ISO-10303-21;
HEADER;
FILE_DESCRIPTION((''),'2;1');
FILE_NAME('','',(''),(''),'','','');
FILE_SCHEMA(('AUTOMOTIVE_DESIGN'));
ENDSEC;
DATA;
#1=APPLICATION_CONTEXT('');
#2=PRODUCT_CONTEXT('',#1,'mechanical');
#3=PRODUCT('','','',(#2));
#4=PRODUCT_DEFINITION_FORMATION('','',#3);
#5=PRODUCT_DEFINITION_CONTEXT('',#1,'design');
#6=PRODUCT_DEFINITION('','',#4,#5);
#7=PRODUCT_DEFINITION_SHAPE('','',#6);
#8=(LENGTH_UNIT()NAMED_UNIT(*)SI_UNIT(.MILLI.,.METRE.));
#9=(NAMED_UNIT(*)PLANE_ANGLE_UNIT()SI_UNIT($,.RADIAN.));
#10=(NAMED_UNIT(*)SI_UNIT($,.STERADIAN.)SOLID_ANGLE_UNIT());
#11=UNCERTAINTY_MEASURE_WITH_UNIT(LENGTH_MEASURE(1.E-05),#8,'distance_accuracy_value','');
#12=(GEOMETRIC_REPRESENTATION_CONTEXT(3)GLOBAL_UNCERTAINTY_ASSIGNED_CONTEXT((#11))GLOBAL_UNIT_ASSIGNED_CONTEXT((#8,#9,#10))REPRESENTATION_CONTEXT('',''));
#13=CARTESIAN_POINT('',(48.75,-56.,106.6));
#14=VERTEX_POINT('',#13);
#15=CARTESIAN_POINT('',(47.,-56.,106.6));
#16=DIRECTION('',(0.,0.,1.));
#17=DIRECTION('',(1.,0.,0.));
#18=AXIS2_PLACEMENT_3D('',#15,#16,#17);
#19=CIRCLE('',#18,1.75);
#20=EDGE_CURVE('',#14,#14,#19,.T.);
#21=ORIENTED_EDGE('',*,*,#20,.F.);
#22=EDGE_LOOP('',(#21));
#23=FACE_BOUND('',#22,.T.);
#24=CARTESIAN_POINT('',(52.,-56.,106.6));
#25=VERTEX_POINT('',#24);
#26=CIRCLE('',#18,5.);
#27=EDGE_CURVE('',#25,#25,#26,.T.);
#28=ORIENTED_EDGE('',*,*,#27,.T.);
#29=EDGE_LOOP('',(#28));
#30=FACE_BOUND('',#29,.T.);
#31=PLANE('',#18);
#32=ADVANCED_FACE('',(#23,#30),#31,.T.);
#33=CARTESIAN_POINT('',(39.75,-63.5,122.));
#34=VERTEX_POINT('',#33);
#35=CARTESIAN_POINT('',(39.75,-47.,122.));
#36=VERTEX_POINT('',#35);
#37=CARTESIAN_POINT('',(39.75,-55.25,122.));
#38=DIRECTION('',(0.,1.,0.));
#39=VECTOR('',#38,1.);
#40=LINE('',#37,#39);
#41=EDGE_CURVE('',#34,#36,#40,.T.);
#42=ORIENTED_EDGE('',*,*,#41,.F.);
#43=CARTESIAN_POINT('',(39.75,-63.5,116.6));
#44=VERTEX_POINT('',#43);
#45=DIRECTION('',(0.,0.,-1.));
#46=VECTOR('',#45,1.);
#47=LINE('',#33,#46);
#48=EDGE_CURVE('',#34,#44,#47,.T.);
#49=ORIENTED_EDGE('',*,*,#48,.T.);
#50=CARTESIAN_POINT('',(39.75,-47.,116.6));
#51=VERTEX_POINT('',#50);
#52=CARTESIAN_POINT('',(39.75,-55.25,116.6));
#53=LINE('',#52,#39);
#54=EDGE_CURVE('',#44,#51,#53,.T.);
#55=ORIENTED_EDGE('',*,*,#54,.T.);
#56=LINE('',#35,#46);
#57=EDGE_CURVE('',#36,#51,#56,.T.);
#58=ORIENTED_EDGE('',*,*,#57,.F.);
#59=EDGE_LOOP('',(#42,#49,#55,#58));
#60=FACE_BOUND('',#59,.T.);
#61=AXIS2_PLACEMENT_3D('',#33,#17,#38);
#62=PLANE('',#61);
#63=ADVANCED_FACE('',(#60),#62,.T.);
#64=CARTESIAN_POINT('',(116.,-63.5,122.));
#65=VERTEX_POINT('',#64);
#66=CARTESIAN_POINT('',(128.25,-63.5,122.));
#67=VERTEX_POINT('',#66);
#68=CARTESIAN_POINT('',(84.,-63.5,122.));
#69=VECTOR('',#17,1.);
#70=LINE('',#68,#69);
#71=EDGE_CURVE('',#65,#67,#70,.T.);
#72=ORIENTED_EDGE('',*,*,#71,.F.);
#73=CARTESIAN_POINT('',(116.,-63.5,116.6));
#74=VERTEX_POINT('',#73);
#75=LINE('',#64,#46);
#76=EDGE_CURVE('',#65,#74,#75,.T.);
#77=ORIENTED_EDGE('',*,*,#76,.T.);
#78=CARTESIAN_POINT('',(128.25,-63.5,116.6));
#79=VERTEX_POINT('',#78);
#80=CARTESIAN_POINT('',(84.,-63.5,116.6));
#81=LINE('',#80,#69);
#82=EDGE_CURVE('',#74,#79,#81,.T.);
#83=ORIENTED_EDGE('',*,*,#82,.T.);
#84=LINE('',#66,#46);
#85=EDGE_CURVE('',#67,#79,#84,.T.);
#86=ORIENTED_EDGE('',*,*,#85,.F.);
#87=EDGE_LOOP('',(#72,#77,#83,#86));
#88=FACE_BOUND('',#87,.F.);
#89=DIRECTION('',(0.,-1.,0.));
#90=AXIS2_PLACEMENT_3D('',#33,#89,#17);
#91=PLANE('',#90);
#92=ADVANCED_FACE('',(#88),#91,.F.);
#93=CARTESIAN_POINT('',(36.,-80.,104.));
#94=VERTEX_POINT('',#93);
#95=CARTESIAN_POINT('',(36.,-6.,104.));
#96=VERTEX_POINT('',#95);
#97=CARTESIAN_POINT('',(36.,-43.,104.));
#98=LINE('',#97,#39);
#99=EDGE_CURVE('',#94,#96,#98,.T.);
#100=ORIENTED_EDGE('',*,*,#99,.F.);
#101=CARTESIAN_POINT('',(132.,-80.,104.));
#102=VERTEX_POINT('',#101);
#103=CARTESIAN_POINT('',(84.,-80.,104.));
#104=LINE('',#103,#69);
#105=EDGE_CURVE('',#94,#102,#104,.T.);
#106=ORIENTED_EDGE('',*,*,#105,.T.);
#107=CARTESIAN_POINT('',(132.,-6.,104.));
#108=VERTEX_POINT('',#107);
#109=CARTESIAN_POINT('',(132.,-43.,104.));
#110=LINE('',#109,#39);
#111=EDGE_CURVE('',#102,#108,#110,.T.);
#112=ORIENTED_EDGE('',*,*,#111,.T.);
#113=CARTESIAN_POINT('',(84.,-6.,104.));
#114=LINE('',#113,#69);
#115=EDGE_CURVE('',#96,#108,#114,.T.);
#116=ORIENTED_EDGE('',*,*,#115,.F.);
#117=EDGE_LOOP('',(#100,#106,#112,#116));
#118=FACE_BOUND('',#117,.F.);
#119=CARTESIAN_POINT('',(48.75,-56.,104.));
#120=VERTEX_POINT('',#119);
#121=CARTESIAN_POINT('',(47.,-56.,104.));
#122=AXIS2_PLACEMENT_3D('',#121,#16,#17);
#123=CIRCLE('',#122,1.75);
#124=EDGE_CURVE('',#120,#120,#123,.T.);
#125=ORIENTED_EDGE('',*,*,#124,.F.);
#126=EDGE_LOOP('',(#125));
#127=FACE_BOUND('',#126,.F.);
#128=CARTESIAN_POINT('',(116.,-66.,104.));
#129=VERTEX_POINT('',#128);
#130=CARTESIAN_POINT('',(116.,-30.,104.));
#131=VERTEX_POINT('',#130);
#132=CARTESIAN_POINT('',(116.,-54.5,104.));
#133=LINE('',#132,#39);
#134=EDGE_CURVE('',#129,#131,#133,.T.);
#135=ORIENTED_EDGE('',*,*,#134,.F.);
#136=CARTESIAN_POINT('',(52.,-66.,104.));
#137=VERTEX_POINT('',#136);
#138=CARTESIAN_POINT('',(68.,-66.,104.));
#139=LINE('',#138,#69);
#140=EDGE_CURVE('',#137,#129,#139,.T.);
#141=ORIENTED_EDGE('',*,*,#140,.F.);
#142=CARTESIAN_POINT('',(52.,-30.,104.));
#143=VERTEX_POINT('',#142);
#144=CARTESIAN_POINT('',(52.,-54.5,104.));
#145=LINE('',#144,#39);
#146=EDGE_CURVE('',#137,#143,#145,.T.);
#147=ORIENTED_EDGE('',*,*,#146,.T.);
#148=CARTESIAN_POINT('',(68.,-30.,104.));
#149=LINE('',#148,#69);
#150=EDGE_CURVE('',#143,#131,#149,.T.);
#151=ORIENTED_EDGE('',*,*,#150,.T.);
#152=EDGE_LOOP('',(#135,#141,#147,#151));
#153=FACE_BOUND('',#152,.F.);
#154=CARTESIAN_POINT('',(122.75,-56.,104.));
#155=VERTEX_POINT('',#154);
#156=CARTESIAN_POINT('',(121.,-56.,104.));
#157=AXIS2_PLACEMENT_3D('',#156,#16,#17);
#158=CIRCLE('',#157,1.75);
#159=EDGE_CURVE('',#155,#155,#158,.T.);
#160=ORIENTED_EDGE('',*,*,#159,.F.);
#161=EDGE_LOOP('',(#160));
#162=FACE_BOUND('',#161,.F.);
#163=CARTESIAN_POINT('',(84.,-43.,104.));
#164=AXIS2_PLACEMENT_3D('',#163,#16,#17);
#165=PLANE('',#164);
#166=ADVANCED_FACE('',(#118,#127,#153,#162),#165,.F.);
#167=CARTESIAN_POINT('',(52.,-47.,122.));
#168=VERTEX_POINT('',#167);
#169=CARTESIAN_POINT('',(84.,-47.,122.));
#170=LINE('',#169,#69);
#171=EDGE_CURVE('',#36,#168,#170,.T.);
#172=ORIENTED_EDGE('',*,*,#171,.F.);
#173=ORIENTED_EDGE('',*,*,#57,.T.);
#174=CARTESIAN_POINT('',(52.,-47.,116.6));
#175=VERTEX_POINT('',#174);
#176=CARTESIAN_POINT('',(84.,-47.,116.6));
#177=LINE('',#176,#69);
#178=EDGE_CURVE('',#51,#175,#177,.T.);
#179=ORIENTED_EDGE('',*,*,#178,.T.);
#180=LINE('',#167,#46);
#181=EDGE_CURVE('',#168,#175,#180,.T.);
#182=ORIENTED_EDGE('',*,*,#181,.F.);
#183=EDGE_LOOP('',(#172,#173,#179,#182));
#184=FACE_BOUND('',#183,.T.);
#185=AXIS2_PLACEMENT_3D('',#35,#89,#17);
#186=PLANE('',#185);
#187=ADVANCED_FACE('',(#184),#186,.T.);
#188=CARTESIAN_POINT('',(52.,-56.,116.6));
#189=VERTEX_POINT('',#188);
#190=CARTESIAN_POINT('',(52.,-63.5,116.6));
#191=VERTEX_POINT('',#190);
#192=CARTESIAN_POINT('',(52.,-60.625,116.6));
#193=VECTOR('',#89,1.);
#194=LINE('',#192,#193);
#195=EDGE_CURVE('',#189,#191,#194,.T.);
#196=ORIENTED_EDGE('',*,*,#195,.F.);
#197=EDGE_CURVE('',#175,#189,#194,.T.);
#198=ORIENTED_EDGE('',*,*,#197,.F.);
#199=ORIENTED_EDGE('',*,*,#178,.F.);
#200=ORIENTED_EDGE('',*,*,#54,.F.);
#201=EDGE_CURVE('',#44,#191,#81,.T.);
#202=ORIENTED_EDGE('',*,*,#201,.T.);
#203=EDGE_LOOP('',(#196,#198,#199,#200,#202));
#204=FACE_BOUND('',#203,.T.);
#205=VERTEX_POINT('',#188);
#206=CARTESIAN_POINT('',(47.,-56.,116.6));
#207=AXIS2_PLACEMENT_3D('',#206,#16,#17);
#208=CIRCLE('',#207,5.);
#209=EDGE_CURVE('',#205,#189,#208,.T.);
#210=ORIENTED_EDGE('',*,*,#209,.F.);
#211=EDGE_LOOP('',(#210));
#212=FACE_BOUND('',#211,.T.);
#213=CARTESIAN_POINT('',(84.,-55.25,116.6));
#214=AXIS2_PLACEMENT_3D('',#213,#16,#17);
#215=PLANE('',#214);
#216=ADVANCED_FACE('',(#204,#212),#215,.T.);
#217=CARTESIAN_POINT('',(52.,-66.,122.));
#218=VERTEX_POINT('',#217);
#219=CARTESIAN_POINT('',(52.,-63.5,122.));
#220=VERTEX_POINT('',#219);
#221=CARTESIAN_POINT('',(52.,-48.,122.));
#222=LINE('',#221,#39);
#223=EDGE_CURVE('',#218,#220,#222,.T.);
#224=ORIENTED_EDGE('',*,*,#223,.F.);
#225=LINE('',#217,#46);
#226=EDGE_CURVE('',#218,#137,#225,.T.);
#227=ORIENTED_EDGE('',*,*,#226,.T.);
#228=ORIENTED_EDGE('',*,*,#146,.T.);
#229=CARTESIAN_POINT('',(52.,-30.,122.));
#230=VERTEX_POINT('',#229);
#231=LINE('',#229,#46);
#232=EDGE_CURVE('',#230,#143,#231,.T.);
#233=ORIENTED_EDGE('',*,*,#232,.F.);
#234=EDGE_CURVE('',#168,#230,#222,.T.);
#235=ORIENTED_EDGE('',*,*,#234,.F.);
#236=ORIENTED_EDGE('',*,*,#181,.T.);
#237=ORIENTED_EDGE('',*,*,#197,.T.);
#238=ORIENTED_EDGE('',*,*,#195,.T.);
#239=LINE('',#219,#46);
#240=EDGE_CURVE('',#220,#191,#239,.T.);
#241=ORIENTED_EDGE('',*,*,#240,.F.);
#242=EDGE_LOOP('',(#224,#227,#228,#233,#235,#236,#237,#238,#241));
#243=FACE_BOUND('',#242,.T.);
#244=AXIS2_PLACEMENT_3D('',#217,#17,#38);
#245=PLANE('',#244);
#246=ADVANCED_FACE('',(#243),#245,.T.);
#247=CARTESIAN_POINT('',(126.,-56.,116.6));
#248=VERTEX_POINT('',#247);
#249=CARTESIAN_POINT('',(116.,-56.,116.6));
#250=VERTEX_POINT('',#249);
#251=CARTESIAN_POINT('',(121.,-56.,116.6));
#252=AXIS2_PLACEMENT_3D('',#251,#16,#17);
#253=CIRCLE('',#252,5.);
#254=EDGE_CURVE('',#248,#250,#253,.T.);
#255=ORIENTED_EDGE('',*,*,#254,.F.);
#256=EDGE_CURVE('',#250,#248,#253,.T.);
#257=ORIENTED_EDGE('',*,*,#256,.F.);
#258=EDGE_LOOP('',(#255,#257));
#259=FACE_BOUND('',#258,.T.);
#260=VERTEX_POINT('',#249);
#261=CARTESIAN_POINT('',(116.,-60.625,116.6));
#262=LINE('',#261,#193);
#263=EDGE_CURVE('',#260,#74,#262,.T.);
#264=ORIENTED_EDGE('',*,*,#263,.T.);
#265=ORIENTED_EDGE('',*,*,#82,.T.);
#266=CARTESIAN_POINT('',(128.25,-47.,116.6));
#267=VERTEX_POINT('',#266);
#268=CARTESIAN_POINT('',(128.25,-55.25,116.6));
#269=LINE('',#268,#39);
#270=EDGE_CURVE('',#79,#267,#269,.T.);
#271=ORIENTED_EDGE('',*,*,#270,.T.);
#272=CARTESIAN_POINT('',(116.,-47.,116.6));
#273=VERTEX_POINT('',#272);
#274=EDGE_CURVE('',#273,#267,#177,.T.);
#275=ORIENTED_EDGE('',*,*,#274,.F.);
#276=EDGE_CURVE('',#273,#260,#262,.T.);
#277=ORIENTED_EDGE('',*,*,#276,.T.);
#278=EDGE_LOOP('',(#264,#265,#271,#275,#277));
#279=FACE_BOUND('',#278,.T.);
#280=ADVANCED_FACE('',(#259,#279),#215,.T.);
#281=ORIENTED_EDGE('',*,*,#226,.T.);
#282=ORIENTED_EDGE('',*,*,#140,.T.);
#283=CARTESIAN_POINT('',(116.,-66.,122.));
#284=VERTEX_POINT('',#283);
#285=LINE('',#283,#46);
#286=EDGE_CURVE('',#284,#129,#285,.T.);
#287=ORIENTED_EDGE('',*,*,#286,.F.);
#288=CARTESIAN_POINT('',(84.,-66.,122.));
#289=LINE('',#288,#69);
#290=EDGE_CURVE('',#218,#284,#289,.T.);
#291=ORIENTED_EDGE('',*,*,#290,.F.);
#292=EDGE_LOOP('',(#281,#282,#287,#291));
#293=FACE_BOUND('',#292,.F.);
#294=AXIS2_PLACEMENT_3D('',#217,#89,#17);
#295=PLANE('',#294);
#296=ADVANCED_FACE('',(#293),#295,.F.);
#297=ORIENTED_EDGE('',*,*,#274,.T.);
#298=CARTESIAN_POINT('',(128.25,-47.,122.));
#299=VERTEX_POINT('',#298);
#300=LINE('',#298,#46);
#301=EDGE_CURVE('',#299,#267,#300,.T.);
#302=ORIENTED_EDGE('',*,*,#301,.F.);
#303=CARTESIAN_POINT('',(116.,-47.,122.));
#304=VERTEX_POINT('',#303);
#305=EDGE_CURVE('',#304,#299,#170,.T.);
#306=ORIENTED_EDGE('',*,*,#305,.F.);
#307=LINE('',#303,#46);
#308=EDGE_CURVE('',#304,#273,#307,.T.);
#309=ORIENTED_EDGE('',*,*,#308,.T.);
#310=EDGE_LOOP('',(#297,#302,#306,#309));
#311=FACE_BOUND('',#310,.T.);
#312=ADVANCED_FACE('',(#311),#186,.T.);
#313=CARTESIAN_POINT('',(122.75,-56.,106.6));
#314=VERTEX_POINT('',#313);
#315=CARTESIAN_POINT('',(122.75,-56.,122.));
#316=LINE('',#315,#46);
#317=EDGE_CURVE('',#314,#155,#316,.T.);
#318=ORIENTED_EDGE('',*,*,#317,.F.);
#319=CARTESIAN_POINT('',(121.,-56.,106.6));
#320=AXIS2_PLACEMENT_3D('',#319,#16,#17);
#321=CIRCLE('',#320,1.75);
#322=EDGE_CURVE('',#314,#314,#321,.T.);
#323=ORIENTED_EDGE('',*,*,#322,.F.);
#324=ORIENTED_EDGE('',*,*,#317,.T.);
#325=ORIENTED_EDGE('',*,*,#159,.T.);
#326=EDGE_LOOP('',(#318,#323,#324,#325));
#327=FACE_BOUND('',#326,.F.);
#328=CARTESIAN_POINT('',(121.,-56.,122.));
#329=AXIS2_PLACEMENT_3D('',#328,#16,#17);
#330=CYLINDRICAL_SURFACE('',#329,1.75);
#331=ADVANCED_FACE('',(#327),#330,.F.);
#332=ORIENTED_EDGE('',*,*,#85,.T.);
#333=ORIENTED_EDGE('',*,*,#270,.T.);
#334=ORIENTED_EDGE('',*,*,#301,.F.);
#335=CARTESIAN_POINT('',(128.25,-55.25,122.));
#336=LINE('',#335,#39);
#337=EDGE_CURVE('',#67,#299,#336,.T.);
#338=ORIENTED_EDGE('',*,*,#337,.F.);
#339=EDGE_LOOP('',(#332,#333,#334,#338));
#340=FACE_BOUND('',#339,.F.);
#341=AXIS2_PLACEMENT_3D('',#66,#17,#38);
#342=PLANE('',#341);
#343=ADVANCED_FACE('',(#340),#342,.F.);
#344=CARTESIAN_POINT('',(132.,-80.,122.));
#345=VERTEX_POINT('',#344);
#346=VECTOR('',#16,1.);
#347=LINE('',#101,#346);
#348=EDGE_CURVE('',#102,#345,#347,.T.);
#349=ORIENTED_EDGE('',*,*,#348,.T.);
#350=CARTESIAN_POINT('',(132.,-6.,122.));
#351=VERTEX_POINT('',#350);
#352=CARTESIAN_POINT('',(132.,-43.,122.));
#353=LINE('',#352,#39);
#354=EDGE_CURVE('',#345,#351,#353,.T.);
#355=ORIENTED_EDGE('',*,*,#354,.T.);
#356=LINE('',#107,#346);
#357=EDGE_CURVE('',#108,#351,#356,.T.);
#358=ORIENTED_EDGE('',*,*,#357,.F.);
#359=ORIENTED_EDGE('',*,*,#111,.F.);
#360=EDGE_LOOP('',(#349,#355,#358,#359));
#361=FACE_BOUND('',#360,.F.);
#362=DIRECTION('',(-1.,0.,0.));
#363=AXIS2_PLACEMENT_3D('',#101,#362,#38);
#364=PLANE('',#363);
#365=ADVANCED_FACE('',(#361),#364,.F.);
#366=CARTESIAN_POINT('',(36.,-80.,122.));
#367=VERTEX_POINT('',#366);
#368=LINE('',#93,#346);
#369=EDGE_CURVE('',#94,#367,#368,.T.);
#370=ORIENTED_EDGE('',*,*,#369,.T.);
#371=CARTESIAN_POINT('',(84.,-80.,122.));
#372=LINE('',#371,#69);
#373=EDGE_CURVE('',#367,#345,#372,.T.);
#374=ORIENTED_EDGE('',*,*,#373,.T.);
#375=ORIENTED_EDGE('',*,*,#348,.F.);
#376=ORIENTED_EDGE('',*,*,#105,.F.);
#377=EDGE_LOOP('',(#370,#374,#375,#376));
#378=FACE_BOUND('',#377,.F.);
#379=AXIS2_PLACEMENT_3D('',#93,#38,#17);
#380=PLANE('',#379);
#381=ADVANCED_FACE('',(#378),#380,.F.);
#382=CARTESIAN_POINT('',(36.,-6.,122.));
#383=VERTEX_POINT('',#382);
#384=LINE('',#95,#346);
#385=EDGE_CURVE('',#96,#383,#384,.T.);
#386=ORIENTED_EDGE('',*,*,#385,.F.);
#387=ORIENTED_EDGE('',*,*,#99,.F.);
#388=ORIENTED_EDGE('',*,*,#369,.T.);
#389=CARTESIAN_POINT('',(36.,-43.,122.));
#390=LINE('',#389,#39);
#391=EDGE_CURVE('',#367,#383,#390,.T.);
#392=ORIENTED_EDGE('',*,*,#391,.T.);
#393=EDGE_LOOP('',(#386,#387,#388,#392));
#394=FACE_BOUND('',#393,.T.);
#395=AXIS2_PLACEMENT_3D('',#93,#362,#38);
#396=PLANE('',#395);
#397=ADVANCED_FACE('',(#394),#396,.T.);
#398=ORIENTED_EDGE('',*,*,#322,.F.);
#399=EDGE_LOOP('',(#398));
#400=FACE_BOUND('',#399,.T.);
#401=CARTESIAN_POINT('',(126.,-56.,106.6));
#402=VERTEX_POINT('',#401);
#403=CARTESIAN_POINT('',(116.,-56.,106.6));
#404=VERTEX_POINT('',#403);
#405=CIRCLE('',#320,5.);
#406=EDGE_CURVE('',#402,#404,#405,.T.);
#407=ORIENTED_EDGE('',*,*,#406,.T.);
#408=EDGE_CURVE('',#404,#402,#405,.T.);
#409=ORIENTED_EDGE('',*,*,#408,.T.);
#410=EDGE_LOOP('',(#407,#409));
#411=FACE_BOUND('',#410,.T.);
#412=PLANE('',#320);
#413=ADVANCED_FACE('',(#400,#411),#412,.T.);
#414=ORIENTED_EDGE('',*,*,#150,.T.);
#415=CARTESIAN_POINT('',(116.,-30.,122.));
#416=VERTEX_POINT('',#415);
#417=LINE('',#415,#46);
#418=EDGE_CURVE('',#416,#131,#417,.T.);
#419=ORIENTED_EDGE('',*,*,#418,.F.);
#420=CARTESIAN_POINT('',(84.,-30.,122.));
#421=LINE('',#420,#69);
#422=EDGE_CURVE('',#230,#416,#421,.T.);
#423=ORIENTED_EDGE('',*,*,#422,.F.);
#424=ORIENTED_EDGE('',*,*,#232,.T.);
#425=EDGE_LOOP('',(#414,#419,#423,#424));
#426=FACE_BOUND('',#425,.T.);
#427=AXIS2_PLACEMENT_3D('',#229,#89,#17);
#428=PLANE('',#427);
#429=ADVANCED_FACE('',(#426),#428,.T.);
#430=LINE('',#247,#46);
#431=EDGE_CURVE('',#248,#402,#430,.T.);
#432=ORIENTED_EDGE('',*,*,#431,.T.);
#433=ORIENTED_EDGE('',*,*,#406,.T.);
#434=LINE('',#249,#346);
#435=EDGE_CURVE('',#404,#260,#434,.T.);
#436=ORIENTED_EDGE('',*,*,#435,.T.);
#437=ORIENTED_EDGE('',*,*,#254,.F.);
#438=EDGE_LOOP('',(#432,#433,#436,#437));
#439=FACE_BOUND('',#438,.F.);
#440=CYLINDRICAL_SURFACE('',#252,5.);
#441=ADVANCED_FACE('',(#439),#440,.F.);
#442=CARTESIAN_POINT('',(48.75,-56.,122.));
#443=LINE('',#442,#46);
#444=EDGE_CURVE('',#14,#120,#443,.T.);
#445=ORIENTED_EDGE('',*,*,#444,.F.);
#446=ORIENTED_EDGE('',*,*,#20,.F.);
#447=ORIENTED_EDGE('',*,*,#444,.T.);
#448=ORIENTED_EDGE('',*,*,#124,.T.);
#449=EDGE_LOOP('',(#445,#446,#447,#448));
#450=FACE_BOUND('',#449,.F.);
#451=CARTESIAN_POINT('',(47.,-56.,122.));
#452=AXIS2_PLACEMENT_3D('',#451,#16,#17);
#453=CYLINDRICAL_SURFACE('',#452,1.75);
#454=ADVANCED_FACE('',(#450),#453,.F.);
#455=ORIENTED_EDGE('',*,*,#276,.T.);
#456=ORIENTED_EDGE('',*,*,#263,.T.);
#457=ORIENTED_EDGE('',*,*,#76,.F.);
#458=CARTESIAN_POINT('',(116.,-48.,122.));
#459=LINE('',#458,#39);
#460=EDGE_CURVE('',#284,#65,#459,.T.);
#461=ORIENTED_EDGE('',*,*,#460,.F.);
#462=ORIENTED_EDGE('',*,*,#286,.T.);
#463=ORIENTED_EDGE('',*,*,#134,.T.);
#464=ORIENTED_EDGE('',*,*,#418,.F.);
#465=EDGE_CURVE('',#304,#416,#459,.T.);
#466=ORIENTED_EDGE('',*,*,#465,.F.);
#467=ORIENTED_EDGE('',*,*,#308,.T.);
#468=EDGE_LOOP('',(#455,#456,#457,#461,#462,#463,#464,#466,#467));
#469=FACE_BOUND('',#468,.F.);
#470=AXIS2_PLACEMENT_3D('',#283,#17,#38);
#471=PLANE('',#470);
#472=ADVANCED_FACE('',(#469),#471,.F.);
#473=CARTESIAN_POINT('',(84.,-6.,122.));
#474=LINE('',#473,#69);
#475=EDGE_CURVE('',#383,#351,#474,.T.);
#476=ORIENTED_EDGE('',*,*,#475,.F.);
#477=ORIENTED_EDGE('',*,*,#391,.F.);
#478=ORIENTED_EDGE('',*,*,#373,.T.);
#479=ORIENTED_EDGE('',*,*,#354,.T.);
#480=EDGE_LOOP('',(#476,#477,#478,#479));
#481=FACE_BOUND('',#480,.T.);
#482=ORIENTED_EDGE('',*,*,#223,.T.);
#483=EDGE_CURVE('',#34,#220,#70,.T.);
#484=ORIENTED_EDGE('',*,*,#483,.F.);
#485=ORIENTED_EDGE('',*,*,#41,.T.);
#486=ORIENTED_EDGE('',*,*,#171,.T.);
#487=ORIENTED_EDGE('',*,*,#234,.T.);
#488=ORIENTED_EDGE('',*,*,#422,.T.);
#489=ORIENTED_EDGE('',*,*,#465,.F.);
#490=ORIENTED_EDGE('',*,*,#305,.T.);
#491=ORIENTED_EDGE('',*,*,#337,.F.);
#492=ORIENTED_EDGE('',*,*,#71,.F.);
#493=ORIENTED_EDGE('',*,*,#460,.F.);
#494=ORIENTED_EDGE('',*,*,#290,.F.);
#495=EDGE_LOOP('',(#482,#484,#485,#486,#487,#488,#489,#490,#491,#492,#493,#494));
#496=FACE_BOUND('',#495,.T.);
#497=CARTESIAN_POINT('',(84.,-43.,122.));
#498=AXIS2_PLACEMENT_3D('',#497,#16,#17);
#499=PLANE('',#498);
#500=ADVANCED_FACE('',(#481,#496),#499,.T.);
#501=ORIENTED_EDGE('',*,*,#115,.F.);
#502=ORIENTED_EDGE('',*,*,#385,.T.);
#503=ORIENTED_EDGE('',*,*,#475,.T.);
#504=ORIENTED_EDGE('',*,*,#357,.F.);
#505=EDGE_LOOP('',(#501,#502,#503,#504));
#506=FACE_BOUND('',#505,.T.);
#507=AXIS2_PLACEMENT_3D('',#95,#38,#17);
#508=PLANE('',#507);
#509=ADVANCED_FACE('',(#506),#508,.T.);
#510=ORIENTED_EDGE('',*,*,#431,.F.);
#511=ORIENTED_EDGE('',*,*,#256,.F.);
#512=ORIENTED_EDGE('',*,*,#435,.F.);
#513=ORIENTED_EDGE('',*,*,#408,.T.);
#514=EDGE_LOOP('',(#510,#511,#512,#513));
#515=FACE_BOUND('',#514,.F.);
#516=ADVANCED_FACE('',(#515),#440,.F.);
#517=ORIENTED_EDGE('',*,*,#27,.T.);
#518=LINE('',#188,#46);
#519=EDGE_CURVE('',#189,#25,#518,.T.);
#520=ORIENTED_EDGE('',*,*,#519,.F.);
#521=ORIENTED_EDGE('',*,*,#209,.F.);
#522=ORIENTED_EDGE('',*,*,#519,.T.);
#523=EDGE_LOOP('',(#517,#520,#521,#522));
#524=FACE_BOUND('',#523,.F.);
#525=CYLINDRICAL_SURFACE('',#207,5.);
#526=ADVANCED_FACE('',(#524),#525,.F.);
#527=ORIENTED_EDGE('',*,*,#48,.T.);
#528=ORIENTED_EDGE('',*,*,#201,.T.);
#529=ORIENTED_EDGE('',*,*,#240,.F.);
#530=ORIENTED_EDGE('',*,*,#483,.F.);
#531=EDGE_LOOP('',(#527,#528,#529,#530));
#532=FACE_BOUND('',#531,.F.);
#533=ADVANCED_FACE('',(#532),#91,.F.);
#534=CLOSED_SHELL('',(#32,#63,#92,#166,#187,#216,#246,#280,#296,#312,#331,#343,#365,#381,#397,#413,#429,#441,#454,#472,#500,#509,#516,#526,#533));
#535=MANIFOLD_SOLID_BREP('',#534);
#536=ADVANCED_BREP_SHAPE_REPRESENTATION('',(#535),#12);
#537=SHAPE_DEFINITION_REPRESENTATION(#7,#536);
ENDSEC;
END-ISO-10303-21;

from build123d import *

# Parameters (mm, degrees)
BOX007_W        = 96
BOX007_H        = 74
BOX007_DEPTH    = 18
SKETCH047_R     = 1.75
POCKET015_DEPTH = 18.001
SKETCH048_W     = 64
SKETCH048_H     = 36
POCKET016_DEPTH = 18.001
SKETCH049_W     = 88.5
SKETCH049_H     = 16.5
POCKET017_DEPTH = 5.4
SKETCH050_R     = 5
POCKET018_DEPTH = 10


with BuildPart() as part:
    # Box007 → Box007 (new body)
    with BuildSketch(Plane(origin=(36, -80, 104), x_dir=(1, 0, 0), z_dir=(0, 0, 1))):
        with Locations((48, 37)):
            Rectangle(BOX007_W, BOX007_H)
    extrude(amount=BOX007_DEPTH)

    # Sketch047 → Pocket015 (cut, through all)
    with BuildSketch(Plane(origin=(36, -80, 122), x_dir=(1, 0, 0), z_dir=(0, 0, 1))):
        with Locations((11, 24)):
            Circle(SKETCH047_R)
        with Locations((85, 24)):
            Circle(SKETCH047_R)
    extrude(amount=-POCKET015_DEPTH, mode=Mode.SUBTRACT)

    # Sketch048 → Pocket016 (cut, through all)
    with BuildSketch(Plane(origin=(36, -80, 122), x_dir=(1, 0, 0), z_dir=(0, 0, 1))):
        with Locations((48, 32)):
            Rectangle(SKETCH048_W, SKETCH048_H)
    extrude(amount=-POCKET016_DEPTH, mode=Mode.SUBTRACT)

    # Sketch049 → Pocket017 (cut)
    with BuildSketch(Plane(origin=(36, -80, 122), x_dir=(1, 0, 0), z_dir=(0, 0, 1))):
        with Locations((48, 24.75)):
            Rectangle(SKETCH049_W, SKETCH049_H)
    extrude(amount=-POCKET017_DEPTH, mode=Mode.SUBTRACT)

    # Sketch050 → Pocket018 (cut)
    with BuildSketch(Plane(origin=(36, -80, 116.6), x_dir=(1, 0, 0), z_dir=(0, 0, 1))):
        with Locations((11, 24)):
            Circle(SKETCH050_R)
        with Locations((85, 24)):
            Circle(SKETCH050_R)
    extrude(amount=-POCKET018_DEPTH, mode=Mode.SUBTRACT)


solid = part.part
